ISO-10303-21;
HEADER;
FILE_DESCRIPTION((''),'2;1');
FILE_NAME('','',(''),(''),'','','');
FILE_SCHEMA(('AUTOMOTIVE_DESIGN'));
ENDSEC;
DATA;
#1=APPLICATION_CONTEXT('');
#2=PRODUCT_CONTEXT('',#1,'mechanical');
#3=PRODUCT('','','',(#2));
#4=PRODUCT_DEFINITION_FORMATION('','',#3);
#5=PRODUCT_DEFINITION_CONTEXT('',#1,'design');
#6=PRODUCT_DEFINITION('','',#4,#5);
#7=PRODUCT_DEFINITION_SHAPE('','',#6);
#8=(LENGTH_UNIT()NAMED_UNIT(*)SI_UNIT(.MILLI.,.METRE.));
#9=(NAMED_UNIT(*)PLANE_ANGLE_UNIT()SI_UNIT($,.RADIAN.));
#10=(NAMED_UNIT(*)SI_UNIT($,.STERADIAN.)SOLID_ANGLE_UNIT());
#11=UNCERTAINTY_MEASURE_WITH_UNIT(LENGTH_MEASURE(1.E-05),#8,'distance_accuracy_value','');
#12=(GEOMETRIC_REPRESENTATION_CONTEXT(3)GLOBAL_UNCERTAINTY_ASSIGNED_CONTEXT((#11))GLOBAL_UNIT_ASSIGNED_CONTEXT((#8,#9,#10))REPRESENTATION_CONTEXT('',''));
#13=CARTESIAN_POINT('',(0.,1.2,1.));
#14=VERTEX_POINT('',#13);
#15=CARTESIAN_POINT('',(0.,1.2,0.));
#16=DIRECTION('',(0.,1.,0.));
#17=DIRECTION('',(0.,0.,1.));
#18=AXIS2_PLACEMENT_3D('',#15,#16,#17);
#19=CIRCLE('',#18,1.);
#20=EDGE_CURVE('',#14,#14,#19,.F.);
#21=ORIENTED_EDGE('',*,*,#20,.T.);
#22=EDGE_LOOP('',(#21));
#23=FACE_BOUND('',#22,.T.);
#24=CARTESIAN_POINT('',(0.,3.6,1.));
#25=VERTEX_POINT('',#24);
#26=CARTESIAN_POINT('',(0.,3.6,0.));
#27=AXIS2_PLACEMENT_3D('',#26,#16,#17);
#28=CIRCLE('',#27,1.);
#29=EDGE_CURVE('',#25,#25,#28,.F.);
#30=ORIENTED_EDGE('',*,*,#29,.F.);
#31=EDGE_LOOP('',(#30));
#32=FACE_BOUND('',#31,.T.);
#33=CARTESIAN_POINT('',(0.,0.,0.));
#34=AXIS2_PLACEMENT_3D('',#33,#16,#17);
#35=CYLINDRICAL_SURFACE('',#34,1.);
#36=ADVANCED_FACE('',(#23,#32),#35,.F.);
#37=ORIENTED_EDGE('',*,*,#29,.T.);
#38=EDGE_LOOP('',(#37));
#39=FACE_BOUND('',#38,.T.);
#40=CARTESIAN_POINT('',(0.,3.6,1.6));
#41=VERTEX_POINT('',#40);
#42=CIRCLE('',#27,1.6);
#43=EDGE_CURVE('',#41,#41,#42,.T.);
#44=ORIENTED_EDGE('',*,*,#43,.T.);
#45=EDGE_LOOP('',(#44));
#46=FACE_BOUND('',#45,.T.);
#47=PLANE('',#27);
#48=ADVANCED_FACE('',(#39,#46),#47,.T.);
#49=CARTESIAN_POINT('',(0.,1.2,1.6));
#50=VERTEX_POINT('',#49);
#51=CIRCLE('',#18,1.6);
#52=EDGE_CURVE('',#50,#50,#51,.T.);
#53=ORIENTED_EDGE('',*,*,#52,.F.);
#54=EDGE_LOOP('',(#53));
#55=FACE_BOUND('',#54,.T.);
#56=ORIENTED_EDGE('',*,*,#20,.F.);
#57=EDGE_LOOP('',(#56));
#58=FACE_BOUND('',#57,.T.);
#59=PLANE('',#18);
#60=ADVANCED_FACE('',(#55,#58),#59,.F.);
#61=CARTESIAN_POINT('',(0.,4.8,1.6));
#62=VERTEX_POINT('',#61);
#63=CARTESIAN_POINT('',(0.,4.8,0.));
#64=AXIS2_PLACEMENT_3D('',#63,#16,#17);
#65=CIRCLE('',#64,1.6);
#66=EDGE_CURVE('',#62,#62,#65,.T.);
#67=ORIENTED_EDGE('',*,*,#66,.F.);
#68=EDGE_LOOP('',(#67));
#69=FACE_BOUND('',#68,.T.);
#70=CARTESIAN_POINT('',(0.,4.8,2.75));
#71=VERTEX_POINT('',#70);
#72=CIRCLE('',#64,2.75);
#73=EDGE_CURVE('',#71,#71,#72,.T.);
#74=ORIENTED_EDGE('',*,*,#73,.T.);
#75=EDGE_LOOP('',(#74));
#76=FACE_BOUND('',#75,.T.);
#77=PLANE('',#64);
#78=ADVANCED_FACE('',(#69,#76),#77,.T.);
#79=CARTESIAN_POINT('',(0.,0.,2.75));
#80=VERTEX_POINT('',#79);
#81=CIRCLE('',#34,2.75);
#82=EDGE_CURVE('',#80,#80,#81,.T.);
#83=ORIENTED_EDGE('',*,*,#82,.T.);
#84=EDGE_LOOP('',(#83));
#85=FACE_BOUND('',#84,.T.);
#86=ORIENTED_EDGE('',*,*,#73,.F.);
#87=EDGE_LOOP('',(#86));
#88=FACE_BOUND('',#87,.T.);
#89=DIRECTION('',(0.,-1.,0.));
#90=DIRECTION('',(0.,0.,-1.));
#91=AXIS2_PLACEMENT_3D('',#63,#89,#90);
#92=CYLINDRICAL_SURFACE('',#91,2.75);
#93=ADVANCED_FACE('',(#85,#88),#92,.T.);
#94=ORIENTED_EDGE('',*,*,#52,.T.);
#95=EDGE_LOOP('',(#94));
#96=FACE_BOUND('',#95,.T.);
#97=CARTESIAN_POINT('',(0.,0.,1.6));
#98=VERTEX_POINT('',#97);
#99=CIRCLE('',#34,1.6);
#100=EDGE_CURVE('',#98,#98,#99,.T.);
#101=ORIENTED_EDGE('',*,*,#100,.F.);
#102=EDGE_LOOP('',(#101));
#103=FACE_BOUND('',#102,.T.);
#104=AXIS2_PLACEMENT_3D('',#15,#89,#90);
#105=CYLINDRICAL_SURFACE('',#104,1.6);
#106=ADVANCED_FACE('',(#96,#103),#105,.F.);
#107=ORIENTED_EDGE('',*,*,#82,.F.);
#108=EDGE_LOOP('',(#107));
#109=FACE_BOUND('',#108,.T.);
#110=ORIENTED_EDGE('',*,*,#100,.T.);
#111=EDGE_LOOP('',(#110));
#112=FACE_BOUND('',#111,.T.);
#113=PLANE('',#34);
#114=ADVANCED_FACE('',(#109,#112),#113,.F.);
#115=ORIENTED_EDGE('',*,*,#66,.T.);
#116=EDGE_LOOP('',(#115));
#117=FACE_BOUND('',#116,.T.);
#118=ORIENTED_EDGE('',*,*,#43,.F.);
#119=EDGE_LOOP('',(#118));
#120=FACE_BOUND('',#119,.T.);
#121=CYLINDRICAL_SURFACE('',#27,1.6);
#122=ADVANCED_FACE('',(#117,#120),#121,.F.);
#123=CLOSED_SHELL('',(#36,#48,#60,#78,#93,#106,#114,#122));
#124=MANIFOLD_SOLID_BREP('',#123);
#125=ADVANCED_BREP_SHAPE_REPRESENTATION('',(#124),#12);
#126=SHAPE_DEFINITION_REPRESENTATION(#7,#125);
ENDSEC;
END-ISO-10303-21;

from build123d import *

# Parameters (mm, degrees)
SKETCH_1_R          = 2.75
EXTRUDE_1_DEPTH     = 4.8
SKETCH_2_R          = 1
CUT_EXTRUDE_1_DEPTH = 7.177782774
SKETCH_2_3_R        = 1.6
CUT_EXTRUDE_2_DEPTH = 1.2
CUT_EXTRUDE_START   = -3.6
SKETCH_2_4_R        = 1.6
CUT_EXTRUDE_3_DEPTH = 1.2


with BuildPart() as part:
    # 草图1 → 凸台-拉伸1 (new body)
    with BuildSketch(Plane(origin=(0, 0, 0), x_dir=(1, 0, 0), z_dir=(0, 1, 0))):
        with Locations(Location((0, 0, 0), (0, 0, 270))):
            Circle(SKETCH_1_R)
    extrude(amount=EXTRUDE_1_DEPTH)

    # 草图2 → 切除-拉伸1 (cut, through all)
    with BuildSketch(Plane(origin=(0, 4.8, 0), x_dir=(1, 0, 0), z_dir=(0, 1, 0))):
        with Locations(Location((0, 0, 0), (0, 0, 270))):
            Circle(SKETCH_2_R)
    extrude(amount=-CUT_EXTRUDE_1_DEPTH, mode=Mode.SUBTRACT)

    # 草图2<3> → 切除-拉伸2 (cut)
    with BuildSketch(Plane(origin=(0, 4.8, 0), x_dir=(1, 0, 0), z_dir=(0, 1, 0))):
        with Locations(Location((0, 0, 0), (0, 0, 270))):
            Circle(SKETCH_2_3_R)
    extrude(amount=-CUT_EXTRUDE_2_DEPTH, mode=Mode.SUBTRACT)

    # 草图2<4> → 切除-拉伸3 (cut)
    with BuildSketch(Plane(origin=(0, 4.8, 0), x_dir=(1, 0, 0), z_dir=(0, 1, 0)).offset(CUT_EXTRUDE_START)):
        with Locations(Location((0, 0, 0), (0, 0, 270))):
            Circle(SKETCH_2_4_R)
    extrude(amount=-CUT_EXTRUDE_3_DEPTH, mode=Mode.SUBTRACT)


solid = part.part
